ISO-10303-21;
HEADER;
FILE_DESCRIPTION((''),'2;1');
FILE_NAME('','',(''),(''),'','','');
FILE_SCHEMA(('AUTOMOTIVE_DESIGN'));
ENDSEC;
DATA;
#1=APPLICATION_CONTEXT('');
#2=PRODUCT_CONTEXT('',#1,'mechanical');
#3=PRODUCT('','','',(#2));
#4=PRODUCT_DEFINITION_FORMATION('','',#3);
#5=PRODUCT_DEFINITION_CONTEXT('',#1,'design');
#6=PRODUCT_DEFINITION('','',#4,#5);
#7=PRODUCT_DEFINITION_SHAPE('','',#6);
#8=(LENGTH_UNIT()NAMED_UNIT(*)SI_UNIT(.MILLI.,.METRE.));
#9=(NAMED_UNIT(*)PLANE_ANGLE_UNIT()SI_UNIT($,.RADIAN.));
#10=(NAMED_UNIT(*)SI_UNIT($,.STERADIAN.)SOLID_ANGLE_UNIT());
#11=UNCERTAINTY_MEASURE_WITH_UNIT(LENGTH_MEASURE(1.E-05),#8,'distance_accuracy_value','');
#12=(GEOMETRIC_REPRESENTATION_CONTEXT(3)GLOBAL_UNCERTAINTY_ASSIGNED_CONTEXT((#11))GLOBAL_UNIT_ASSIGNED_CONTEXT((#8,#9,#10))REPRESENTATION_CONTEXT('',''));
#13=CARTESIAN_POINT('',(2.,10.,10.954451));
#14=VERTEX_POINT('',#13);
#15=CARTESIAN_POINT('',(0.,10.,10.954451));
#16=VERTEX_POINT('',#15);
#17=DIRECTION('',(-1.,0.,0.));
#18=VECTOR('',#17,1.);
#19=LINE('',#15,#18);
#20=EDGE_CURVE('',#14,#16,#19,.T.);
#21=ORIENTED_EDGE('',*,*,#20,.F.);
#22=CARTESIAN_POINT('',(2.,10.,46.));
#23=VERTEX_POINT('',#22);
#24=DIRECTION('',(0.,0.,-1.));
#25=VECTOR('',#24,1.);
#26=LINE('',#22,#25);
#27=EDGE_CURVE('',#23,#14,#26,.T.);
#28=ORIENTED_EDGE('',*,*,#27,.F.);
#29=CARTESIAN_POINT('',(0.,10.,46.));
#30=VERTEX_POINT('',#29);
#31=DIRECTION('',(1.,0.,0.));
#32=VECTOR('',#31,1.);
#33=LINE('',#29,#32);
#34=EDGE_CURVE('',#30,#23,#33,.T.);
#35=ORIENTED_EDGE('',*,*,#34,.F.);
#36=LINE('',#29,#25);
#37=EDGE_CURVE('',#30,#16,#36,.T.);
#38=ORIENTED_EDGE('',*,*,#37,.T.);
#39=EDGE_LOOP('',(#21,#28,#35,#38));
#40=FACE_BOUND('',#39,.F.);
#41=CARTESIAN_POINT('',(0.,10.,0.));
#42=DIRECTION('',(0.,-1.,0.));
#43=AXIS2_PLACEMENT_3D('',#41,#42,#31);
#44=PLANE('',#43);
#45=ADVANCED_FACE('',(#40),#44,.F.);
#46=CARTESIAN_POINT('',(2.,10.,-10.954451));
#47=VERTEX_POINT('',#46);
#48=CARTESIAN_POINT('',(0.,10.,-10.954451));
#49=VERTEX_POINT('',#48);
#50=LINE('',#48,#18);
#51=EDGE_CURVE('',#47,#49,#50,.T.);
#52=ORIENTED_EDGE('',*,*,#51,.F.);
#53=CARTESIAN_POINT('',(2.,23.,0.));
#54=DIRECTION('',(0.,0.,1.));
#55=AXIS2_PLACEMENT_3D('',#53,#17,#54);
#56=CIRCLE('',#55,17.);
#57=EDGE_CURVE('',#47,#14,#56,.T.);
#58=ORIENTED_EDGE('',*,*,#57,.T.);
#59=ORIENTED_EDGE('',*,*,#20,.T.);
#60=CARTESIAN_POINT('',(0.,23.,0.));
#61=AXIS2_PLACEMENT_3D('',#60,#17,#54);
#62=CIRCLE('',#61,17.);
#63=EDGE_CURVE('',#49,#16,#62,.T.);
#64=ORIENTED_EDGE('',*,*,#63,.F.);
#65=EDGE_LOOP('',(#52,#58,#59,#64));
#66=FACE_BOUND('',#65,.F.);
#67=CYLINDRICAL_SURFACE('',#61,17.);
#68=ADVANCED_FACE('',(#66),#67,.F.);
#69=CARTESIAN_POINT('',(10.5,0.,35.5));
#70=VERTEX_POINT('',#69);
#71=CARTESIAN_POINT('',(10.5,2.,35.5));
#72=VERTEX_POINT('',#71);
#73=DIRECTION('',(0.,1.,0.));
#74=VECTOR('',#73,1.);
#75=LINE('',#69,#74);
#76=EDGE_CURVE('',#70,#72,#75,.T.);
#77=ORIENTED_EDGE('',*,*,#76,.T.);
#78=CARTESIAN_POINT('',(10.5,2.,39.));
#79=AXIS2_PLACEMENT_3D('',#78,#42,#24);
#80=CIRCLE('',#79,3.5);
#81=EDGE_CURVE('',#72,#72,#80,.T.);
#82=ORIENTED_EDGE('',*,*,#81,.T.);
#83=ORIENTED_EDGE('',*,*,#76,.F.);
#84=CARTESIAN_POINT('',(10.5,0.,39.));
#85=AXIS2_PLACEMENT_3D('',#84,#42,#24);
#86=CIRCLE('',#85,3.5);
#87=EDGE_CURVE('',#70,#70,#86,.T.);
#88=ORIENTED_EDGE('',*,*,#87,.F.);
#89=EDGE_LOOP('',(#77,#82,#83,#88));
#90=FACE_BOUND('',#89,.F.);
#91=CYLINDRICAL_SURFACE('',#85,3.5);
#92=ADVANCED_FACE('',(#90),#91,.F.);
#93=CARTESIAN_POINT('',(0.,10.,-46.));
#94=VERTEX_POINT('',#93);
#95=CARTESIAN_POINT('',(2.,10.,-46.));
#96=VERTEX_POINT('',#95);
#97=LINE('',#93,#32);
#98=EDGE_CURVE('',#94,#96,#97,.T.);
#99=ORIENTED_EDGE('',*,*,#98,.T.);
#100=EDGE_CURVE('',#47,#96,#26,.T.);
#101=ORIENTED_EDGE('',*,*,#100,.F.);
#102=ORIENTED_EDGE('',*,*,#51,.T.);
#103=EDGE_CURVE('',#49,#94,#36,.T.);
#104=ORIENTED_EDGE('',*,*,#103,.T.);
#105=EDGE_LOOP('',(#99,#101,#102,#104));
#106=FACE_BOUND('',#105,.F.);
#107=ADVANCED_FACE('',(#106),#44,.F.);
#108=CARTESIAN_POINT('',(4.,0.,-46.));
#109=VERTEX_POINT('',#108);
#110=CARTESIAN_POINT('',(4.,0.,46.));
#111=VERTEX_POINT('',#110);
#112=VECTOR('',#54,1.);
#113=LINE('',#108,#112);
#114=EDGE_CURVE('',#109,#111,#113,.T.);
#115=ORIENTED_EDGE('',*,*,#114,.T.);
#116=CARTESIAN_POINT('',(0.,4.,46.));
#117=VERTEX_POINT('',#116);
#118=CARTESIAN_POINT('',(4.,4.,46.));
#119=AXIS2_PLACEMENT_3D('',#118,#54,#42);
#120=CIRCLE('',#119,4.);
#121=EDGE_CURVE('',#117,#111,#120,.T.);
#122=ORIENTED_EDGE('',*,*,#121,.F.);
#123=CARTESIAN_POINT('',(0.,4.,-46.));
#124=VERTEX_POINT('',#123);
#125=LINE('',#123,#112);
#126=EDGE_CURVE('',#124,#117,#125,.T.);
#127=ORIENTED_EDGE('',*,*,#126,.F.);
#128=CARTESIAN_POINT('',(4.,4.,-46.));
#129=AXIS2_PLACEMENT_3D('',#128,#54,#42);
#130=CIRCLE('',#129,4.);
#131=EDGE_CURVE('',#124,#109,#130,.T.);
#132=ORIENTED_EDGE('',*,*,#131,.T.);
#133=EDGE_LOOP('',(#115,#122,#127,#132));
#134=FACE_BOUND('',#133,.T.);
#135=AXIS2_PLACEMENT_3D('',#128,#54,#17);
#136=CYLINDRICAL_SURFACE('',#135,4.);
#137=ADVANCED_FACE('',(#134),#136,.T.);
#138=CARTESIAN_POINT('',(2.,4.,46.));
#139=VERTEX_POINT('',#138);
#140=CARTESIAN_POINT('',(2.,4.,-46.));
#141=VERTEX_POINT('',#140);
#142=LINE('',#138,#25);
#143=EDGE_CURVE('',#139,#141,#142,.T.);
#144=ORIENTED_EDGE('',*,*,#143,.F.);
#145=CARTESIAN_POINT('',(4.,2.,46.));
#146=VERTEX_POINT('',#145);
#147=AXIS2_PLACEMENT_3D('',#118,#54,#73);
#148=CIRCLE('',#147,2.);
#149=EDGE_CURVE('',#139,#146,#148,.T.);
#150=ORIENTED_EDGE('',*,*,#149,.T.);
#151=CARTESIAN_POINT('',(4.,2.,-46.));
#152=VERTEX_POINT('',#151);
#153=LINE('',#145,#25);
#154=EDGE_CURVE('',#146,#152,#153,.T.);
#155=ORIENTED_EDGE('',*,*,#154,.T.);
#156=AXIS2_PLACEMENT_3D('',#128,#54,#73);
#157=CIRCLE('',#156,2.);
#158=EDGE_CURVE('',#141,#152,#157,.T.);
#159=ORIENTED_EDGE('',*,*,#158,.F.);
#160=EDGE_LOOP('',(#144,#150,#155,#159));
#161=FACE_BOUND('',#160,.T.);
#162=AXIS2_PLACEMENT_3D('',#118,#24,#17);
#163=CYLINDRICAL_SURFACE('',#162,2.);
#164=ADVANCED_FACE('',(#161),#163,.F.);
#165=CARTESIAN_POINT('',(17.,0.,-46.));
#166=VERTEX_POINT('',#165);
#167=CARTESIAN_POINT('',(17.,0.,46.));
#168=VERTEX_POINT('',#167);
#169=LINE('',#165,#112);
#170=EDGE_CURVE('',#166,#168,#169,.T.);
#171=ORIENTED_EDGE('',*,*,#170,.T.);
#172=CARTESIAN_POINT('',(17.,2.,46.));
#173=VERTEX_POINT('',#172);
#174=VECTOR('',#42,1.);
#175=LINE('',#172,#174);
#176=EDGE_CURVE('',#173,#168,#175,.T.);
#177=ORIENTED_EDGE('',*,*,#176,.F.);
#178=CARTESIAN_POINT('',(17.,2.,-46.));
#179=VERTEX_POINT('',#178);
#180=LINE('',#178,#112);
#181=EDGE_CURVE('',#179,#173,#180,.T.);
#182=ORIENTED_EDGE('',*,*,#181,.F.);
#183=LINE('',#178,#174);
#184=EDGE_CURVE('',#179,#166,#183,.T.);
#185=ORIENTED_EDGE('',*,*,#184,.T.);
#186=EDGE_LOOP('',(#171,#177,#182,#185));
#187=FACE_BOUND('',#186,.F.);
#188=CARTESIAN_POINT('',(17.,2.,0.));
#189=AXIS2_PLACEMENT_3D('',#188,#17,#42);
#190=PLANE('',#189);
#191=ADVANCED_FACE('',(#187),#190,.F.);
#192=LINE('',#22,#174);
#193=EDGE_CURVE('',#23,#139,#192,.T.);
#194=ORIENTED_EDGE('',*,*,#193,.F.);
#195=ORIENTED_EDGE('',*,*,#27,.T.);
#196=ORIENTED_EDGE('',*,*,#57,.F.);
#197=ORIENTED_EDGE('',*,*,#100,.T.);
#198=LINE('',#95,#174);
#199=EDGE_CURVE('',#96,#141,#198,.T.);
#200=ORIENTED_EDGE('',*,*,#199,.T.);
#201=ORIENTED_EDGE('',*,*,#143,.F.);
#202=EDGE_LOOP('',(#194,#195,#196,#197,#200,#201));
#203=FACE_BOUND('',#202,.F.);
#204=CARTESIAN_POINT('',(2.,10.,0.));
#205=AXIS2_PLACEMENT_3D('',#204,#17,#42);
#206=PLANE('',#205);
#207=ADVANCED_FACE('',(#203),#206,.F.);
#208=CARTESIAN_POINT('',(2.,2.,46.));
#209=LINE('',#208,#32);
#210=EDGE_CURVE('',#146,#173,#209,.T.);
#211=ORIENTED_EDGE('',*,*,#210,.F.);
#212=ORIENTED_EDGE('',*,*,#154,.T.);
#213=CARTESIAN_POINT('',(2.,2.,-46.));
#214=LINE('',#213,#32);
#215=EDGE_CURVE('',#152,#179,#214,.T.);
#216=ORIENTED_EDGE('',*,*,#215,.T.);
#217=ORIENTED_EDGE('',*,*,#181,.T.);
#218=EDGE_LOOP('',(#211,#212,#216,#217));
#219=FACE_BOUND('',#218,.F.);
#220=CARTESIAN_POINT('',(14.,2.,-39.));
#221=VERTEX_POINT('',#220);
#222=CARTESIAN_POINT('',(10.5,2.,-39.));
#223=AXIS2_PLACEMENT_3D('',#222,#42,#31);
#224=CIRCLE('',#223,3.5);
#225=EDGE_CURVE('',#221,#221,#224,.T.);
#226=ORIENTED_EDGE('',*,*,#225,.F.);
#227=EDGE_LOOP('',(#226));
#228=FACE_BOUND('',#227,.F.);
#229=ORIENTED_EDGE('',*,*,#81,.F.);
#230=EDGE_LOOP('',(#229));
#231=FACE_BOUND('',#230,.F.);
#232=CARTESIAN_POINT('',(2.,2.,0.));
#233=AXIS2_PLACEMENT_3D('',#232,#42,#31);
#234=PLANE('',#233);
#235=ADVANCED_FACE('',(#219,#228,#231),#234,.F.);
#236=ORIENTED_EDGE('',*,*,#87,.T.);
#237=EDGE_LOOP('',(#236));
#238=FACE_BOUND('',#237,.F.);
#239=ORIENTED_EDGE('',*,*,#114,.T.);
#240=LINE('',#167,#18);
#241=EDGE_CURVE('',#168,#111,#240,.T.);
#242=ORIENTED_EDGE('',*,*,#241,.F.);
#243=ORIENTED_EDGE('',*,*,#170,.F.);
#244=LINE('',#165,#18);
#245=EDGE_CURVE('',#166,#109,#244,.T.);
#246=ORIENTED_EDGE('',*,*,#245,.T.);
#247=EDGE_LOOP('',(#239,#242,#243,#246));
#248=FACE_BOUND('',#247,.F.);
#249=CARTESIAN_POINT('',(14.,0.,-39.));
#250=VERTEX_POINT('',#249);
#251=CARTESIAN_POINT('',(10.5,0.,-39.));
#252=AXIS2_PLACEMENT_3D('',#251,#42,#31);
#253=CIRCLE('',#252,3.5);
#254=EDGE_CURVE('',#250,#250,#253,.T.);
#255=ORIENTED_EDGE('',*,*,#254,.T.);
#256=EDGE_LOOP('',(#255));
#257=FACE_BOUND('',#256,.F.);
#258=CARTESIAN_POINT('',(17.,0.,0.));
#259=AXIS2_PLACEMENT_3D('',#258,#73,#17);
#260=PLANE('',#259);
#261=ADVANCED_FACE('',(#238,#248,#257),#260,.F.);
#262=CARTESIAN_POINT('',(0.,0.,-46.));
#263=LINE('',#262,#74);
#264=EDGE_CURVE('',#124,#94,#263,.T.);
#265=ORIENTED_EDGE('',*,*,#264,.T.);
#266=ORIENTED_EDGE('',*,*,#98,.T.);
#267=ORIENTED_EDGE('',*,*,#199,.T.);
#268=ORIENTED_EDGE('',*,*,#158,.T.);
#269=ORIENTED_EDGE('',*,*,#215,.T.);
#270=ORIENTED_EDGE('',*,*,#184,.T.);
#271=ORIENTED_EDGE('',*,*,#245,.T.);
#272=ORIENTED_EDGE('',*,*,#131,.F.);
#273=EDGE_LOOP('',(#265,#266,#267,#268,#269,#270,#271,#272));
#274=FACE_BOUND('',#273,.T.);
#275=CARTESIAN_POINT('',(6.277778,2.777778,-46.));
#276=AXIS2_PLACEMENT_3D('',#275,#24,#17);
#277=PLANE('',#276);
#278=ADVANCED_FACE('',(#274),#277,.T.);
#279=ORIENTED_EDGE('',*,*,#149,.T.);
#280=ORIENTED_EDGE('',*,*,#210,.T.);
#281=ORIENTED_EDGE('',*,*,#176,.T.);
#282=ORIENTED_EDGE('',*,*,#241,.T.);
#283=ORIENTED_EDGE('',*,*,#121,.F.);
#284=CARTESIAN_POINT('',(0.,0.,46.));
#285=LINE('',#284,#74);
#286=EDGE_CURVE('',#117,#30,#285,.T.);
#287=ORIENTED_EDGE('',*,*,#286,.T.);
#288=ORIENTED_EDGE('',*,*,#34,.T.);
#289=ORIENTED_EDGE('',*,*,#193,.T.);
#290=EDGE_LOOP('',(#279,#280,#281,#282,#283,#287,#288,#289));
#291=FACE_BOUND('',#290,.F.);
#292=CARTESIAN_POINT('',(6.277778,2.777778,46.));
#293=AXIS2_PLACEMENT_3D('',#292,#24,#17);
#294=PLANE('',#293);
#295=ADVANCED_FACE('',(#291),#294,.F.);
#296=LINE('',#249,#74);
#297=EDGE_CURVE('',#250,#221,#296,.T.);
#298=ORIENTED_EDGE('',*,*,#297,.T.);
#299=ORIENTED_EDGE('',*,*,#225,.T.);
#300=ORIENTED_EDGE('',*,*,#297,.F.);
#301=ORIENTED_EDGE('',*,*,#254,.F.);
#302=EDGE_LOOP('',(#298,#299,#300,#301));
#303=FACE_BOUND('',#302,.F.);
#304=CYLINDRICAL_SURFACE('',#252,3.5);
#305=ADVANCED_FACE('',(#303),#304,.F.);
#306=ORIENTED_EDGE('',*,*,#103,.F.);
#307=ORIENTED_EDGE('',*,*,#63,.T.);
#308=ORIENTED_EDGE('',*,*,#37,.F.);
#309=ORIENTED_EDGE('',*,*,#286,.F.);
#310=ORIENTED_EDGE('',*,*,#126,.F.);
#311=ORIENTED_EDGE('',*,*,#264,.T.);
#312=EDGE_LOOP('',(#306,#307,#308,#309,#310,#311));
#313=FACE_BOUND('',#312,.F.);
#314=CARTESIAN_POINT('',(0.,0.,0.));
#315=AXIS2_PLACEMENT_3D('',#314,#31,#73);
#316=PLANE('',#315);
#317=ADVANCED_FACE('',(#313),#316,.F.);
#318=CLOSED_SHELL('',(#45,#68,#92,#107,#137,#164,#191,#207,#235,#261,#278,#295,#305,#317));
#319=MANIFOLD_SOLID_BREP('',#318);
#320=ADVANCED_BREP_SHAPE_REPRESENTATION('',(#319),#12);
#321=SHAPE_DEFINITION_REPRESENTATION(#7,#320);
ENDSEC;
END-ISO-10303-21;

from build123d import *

# Parameters (mm, degrees)
EXTRUDE_1_DEPTH     = 46
FILLET_1_R          = 4
FILLET_2_R          = 2
SKETCH_2_R          = 3.5
CUT_EXTRUDE_1_DEPTH = 10
SKETCH_3_R          = 17
CUT_EXTRUDE_2_DEPTH = 10


with BuildPart() as part:
    # 草图1 → 凸台-拉伸1 (new, symmetric)
    with BuildSketch(Plane.XY):
        Polygon((0, 0), (0, 10), (2, 10), (2, 2), (17, 2), (17, 0), align=None)
    extrude(amount=EXTRUDE_1_DEPTH, both=True)

    # 圆角1
    fillet_1_edges = [part.edges().sort_by_distance(p)[0] for p in [
        (0, 0, 0),
    ]]
    fillet(fillet_1_edges, radius=FILLET_1_R)

    # 圆角2
    fillet_2_edges = [part.edges().sort_by_distance(p)[0] for p in [
        (2, 2, 0),
    ]]
    fillet(fillet_2_edges, radius=FILLET_2_R)

    # 草图2 → 切除-拉伸1 (cut)
    with BuildSketch(Plane.XZ):
        with Locations(Location((10.5, 39, 0), (0, 0, 270))):
            Circle(SKETCH_2_R)
        with Locations((10.5, -39)):
            Circle(SKETCH_2_R)
    extrude(amount=-CUT_EXTRUDE_1_DEPTH, mode=Mode.SUBTRACT)

    # 草图3 → 切除-拉伸2 (cut)
    with BuildSketch(Plane.ZY):
        with Locations((0, 23)):
            Circle(SKETCH_3_R)
    extrude(amount=-CUT_EXTRUDE_2_DEPTH, mode=Mode.SUBTRACT)


solid = part.part
